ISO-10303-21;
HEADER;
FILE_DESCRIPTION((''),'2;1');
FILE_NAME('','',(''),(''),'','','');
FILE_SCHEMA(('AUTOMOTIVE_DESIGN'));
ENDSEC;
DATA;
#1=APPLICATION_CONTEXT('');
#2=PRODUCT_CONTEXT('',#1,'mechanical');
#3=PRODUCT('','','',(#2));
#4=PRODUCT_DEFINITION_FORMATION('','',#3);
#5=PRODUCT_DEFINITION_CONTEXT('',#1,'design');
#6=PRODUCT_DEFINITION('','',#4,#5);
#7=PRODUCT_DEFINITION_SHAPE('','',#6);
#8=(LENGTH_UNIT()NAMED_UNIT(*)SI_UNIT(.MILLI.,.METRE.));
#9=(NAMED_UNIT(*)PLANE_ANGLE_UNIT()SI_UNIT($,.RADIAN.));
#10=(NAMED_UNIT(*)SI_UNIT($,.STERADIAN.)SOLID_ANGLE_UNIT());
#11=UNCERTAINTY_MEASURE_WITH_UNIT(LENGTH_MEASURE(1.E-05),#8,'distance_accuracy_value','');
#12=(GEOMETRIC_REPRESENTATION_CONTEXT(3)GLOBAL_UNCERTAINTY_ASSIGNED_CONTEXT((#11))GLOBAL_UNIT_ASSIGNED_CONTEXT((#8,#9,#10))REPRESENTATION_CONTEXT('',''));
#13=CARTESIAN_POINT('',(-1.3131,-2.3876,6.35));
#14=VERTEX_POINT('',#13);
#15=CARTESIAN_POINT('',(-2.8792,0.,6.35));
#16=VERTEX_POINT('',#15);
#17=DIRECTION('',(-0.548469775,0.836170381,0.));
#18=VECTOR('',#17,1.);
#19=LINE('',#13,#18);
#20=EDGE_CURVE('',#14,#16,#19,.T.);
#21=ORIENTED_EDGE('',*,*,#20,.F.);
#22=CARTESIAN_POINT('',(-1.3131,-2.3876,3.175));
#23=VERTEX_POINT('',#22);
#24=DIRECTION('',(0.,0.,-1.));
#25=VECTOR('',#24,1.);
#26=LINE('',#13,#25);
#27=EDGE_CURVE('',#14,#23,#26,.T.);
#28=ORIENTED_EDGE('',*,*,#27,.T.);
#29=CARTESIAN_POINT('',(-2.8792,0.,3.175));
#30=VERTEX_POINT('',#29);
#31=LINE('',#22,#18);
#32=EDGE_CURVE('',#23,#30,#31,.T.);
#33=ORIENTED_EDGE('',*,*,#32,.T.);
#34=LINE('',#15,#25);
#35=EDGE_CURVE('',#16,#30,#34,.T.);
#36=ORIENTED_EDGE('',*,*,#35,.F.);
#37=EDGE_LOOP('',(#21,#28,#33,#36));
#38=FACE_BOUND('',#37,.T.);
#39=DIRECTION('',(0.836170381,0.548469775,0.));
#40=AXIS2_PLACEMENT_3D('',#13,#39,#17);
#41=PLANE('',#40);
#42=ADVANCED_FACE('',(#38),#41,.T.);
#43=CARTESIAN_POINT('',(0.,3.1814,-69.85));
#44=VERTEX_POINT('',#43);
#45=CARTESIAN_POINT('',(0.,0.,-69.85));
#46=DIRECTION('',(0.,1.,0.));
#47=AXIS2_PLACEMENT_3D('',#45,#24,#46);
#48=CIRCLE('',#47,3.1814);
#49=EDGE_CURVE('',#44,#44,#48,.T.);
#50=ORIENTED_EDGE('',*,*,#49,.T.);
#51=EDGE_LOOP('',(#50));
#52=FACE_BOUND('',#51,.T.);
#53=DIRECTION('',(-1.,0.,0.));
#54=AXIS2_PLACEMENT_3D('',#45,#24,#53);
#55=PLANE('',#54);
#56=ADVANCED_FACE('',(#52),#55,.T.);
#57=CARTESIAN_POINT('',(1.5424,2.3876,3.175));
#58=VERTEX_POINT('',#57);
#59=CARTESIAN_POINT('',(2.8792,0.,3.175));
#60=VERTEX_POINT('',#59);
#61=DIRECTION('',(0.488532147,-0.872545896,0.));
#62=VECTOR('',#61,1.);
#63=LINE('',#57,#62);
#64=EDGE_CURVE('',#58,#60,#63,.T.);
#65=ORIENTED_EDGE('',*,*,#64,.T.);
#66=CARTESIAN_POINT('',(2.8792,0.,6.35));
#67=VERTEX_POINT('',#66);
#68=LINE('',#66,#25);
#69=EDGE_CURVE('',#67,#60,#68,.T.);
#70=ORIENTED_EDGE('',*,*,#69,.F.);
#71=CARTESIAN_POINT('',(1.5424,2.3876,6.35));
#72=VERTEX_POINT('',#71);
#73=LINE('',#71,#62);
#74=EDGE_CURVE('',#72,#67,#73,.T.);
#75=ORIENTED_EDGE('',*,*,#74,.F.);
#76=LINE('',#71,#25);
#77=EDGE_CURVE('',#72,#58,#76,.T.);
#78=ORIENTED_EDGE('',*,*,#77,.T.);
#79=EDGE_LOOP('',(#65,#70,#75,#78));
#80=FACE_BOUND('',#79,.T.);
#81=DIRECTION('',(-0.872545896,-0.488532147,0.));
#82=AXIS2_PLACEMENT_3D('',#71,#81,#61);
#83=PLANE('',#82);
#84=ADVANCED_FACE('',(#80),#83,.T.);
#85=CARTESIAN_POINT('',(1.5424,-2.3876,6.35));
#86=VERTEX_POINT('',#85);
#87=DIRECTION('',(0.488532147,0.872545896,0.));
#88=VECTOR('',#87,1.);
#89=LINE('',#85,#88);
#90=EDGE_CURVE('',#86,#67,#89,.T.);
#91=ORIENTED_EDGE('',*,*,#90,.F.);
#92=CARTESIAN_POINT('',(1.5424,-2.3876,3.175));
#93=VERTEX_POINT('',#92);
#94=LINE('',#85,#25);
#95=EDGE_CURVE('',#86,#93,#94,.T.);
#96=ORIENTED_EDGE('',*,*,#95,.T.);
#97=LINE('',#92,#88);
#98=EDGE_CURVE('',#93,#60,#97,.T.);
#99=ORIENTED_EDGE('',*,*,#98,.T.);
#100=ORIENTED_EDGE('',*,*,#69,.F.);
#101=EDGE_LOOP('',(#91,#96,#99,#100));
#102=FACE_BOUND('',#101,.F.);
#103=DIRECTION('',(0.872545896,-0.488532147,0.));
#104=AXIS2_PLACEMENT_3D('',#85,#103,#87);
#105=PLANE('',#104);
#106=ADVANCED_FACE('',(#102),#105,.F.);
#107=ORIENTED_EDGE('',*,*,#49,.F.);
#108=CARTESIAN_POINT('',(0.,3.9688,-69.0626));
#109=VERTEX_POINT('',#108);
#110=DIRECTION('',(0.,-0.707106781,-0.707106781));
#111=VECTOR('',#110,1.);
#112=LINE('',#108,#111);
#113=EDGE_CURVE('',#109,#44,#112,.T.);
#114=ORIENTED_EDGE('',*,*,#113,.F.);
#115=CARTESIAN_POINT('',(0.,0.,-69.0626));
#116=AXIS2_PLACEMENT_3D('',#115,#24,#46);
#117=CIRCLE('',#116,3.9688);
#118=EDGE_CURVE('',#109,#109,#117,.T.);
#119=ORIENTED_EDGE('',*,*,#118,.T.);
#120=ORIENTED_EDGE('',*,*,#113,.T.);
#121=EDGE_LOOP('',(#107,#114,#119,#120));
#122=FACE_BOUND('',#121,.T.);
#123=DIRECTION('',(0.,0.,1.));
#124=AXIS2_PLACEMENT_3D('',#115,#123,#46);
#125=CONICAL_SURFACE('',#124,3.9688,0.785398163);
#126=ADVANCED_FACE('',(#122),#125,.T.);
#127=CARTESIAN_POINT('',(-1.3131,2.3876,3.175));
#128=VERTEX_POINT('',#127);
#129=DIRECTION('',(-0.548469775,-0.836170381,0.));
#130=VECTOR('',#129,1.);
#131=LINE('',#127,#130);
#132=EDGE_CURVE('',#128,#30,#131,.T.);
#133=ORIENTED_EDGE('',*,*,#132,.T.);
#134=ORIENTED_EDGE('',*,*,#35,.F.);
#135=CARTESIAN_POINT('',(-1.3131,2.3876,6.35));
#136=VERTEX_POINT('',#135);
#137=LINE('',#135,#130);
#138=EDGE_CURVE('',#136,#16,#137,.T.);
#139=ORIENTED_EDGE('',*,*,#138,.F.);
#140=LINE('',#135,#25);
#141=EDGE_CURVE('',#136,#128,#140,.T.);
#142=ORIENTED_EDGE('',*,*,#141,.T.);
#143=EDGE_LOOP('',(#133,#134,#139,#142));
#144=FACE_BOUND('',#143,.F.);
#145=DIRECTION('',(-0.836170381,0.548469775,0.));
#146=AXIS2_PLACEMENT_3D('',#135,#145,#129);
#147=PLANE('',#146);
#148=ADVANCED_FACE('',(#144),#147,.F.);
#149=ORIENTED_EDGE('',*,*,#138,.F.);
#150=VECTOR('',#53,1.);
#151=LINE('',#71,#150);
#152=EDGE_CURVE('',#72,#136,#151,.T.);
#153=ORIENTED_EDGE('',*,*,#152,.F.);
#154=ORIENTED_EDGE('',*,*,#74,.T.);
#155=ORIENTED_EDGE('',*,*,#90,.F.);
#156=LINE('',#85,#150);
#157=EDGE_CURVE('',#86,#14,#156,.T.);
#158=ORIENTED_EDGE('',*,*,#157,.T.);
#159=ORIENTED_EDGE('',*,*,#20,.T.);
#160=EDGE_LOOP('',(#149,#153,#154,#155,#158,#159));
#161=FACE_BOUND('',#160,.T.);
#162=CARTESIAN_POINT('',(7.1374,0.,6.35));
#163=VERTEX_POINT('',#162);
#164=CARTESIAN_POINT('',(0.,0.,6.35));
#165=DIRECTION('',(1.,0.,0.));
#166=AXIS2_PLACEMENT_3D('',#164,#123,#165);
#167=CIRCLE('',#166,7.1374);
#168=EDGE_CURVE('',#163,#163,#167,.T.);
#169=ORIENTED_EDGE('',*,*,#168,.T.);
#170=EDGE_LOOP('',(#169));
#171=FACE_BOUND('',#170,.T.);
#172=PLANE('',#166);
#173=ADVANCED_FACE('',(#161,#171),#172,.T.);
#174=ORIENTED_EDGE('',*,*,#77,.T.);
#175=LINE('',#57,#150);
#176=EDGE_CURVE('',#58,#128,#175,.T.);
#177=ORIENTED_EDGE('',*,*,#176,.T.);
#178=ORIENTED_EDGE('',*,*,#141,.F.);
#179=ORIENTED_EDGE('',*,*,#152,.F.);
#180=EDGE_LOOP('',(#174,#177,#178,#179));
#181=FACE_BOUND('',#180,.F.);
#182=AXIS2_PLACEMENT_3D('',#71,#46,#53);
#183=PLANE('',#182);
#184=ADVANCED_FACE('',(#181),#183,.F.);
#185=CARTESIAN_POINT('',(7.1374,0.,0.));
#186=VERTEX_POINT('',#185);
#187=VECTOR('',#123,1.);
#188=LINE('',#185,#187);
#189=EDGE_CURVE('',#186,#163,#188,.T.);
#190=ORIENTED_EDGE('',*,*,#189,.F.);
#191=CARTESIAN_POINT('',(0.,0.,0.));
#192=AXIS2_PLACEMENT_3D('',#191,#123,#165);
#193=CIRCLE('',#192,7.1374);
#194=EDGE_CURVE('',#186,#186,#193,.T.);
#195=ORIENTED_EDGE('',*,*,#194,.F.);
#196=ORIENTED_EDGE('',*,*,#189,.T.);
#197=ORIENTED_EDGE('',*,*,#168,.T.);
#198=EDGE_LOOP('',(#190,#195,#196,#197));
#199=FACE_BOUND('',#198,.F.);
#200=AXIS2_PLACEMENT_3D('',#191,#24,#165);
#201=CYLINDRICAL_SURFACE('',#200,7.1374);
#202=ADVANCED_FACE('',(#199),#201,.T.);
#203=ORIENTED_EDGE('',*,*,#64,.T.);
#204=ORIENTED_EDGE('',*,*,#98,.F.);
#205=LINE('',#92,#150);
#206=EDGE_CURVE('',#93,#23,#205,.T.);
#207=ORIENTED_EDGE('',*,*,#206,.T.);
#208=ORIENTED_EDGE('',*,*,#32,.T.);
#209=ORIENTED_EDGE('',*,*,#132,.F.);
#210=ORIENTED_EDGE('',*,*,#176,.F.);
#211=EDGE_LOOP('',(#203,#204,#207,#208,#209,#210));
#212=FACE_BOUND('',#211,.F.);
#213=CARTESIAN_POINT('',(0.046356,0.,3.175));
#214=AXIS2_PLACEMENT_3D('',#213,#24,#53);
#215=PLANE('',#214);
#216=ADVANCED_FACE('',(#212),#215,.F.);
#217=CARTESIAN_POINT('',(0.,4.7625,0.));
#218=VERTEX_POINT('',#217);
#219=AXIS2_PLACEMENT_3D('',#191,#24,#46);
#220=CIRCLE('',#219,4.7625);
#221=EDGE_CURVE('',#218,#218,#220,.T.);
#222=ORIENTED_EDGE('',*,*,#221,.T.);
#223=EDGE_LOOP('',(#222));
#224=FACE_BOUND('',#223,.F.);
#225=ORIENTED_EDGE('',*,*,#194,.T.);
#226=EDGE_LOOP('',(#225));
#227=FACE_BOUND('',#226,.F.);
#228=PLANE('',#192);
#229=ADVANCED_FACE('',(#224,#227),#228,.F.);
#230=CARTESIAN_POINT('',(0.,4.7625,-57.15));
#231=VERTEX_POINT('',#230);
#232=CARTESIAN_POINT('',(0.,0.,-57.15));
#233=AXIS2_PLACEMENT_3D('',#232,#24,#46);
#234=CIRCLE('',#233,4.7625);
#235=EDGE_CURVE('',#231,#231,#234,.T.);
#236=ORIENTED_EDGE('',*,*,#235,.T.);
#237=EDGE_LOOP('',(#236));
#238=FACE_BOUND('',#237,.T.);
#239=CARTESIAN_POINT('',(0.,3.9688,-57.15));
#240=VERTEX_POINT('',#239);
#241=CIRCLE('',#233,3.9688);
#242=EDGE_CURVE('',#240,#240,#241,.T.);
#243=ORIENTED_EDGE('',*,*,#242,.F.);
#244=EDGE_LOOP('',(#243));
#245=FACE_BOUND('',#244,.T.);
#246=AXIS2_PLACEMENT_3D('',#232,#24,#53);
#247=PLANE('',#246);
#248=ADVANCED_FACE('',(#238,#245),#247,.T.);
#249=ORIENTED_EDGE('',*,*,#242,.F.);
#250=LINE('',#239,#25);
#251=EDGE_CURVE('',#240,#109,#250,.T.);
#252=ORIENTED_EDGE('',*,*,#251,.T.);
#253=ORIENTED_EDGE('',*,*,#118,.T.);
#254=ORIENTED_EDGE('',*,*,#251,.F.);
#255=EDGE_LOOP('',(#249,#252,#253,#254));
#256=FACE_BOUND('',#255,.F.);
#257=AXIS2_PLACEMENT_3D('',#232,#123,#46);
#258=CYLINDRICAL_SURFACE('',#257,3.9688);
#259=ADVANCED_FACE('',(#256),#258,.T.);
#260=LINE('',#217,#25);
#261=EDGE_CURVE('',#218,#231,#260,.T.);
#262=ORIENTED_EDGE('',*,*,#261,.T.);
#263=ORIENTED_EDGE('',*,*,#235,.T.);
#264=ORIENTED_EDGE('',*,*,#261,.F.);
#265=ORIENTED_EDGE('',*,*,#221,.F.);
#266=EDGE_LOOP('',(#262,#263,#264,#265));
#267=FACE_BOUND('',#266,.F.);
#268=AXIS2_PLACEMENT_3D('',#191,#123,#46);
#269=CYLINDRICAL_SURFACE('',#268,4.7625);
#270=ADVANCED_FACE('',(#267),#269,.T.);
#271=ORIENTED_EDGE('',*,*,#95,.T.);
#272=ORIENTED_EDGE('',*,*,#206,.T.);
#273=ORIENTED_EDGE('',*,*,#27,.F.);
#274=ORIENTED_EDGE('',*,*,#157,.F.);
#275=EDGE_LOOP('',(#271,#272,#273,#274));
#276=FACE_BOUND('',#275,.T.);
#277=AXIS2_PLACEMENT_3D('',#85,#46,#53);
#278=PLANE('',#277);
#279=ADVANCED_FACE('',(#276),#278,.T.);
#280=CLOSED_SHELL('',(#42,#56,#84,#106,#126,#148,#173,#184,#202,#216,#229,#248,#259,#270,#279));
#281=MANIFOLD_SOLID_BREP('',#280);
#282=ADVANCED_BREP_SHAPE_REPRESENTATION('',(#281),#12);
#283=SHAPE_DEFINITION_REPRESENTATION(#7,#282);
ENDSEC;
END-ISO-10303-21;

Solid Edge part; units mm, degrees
sketch "Sketch1" plane through (0, 0, 0) normal (0, 0, 1) x (1, 0, 0)
  circle A0 centre (0, 0) radius 7.1374
  dimension "D1" = 14.2748
extrude "Protrusion1" add sketch "Sketch1" along normal blind 6.35
sketch "Sketch2" plane through (0, 0, 0) normal (0, 0, -1) x (0, 1, 0)
  circle A0 centre (0, 0) radius 4.7625
  dimension "D1" = 9.525
extrude "Protrusion2" add sketch "Sketch2" along normal blind 57.15
sketch "Sketch3" plane through (0, 0, -57.15) normal (0, 0, -1) x (0, 1, 0)
  circle A0 centre (0, 0) radius 3.9688
  dimension "D1" = 7.9375
extrude "Protrusion3" add sketch "Sketch3" along normal blind 12.7
sketch "Sketch4" plane through (0, 0, 6.35) normal (0, 0, 1) x (0, 1, 0)
  line L0 (-2.3876, 1.3131) -> (0, 2.8792)
  line L1 (-2.3876, -1.5424) -> (-2.3876, 1.3131)
  line L2 (-2.3876, -1.5424) -> (0, -2.8792)
  line L3 (2.3876, -1.5424) -> (0, -2.8792)
  line L4 (2.3876, -1.5424) -> (2.3876, 1.3131)
  line L5 (2.3876, 1.3131) -> (0, 2.8792)
  dimension "D1" = 4.7752
extrude "Cutout1" cut sketch "Sketch4" against normal blind 3.175
chamfer "Chamfer1" distance 0.7874 angle 45 1 edges at (0, -3.9688, -69.85)
properties part number "24102995"
